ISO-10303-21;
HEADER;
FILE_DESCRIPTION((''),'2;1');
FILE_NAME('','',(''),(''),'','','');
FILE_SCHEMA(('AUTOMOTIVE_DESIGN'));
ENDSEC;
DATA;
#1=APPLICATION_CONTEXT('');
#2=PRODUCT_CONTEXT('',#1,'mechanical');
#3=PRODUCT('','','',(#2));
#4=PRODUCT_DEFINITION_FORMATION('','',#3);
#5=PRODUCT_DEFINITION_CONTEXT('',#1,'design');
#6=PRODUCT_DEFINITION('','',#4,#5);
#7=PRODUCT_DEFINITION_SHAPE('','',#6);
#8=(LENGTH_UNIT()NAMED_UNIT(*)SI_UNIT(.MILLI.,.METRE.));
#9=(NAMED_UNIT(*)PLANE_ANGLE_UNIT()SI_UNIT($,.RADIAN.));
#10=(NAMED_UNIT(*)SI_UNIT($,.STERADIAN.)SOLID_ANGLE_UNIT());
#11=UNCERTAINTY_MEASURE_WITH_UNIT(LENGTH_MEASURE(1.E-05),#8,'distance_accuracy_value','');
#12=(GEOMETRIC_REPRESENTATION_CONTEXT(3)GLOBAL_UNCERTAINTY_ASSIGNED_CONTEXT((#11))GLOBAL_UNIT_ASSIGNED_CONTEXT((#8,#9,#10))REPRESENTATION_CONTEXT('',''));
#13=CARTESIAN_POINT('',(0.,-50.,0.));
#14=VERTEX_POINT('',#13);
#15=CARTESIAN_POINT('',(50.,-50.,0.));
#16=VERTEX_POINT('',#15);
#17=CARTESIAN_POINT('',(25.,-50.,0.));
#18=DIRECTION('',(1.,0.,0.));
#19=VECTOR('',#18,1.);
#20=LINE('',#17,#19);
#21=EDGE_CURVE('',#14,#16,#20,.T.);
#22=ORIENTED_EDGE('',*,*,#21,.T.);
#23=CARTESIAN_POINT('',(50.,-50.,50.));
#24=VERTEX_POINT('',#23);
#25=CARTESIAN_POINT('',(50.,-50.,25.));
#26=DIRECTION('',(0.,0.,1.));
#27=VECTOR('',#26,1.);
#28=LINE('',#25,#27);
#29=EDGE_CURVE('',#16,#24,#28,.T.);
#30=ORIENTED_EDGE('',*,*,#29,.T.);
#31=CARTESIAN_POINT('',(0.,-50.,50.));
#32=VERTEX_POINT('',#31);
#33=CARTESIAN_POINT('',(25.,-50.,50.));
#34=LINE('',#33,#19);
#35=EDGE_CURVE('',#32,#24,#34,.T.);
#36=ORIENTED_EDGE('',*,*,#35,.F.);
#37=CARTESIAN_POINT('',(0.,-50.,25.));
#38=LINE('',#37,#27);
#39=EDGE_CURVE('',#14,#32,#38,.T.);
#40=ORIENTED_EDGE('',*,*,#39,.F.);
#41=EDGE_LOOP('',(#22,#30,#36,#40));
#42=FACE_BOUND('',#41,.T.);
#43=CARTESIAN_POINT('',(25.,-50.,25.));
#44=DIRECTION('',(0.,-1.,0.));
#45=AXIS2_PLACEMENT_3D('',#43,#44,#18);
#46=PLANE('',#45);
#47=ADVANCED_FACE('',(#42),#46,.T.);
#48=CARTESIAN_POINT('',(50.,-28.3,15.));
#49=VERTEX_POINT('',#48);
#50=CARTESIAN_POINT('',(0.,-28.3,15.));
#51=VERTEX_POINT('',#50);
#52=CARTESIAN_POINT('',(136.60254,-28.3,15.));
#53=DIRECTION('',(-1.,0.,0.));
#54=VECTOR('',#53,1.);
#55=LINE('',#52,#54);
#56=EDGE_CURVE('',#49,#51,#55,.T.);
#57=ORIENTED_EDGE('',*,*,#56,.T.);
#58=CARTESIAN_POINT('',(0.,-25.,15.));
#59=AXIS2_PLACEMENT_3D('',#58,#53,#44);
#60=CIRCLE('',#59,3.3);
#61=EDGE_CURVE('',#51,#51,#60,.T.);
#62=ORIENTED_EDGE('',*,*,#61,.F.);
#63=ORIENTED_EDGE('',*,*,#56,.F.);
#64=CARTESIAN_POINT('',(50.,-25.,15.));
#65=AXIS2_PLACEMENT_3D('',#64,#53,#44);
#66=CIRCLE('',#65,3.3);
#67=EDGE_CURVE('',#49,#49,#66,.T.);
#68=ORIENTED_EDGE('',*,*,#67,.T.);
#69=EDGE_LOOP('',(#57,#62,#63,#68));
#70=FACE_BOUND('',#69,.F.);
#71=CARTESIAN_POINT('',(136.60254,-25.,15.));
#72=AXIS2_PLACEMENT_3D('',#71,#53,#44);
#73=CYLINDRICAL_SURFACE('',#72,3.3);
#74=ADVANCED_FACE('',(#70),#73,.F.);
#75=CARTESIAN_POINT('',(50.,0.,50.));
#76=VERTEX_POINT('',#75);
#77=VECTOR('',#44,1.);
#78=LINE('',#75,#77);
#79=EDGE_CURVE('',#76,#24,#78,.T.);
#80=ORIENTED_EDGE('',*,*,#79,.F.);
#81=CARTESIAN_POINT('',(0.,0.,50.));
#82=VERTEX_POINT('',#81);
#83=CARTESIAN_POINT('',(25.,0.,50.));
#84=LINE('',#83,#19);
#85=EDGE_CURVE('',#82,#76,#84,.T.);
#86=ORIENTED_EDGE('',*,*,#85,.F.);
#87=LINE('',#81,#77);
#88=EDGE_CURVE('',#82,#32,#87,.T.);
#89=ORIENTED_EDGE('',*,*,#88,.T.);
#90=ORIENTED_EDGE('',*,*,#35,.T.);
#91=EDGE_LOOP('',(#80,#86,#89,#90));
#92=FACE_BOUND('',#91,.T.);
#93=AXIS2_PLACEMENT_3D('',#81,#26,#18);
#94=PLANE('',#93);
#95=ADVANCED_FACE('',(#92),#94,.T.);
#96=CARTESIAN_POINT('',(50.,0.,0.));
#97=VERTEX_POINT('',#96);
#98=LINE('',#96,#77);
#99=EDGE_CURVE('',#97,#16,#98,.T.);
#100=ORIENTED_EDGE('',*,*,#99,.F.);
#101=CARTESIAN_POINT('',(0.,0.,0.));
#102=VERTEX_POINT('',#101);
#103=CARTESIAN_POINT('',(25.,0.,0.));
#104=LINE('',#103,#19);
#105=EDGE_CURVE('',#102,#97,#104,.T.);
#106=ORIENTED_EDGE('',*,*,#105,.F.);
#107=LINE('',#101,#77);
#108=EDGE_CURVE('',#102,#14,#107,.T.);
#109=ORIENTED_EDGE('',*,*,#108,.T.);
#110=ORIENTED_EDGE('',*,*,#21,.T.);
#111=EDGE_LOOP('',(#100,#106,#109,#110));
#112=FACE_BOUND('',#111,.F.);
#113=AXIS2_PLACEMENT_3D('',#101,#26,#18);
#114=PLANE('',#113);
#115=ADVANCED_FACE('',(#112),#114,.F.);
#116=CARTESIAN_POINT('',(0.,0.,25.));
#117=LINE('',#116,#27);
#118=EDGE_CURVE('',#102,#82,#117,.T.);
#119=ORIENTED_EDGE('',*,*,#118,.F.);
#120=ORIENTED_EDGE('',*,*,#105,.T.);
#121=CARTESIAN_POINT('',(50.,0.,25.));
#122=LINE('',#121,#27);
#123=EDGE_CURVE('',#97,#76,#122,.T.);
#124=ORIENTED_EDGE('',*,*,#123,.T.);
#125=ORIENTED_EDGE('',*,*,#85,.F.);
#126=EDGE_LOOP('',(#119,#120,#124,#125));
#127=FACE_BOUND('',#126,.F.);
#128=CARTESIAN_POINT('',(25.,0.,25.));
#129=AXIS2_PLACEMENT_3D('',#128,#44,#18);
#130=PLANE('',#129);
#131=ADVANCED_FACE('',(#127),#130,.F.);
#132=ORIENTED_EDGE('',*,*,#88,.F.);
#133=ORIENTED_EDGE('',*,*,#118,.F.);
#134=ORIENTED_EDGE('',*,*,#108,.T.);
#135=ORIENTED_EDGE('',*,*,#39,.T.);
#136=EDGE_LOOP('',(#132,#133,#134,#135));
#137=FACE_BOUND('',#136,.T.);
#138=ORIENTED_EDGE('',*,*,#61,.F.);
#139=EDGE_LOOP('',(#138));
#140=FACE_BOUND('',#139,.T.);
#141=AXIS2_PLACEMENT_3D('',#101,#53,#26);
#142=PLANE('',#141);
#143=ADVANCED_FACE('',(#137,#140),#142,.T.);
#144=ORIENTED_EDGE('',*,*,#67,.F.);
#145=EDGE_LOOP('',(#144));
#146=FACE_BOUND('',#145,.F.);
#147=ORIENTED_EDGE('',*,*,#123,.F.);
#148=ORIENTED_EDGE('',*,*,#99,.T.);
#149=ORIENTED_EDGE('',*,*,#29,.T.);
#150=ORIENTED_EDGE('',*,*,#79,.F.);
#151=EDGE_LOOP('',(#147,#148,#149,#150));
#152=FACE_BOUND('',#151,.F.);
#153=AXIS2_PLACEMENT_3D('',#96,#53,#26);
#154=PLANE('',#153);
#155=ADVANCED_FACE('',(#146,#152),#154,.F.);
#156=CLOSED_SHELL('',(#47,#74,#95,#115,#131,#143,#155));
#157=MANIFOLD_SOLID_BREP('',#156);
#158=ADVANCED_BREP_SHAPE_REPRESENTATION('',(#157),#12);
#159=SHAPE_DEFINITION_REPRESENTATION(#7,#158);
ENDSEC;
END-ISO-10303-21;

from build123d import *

# Parameters (mm, degrees)
F0_W     = 50
F0_H     = 50
F1_DEPTH = 50
F3_D     = 6.6


with BuildPart() as f1:
    # F0 (on Front) → F1 (new body)
    with BuildSketch(Plane.XZ):
        with Locations((25, 25)):
            Rectangle(F0_W, F0_H)
    extrude(amount=F1_DEPTH)

    # F3 (through all)
    with Locations(Plane.YZ.offset(50)):
        with Locations((-25, 15)):
            Hole(F3_D / 2)


solid = f1.part
